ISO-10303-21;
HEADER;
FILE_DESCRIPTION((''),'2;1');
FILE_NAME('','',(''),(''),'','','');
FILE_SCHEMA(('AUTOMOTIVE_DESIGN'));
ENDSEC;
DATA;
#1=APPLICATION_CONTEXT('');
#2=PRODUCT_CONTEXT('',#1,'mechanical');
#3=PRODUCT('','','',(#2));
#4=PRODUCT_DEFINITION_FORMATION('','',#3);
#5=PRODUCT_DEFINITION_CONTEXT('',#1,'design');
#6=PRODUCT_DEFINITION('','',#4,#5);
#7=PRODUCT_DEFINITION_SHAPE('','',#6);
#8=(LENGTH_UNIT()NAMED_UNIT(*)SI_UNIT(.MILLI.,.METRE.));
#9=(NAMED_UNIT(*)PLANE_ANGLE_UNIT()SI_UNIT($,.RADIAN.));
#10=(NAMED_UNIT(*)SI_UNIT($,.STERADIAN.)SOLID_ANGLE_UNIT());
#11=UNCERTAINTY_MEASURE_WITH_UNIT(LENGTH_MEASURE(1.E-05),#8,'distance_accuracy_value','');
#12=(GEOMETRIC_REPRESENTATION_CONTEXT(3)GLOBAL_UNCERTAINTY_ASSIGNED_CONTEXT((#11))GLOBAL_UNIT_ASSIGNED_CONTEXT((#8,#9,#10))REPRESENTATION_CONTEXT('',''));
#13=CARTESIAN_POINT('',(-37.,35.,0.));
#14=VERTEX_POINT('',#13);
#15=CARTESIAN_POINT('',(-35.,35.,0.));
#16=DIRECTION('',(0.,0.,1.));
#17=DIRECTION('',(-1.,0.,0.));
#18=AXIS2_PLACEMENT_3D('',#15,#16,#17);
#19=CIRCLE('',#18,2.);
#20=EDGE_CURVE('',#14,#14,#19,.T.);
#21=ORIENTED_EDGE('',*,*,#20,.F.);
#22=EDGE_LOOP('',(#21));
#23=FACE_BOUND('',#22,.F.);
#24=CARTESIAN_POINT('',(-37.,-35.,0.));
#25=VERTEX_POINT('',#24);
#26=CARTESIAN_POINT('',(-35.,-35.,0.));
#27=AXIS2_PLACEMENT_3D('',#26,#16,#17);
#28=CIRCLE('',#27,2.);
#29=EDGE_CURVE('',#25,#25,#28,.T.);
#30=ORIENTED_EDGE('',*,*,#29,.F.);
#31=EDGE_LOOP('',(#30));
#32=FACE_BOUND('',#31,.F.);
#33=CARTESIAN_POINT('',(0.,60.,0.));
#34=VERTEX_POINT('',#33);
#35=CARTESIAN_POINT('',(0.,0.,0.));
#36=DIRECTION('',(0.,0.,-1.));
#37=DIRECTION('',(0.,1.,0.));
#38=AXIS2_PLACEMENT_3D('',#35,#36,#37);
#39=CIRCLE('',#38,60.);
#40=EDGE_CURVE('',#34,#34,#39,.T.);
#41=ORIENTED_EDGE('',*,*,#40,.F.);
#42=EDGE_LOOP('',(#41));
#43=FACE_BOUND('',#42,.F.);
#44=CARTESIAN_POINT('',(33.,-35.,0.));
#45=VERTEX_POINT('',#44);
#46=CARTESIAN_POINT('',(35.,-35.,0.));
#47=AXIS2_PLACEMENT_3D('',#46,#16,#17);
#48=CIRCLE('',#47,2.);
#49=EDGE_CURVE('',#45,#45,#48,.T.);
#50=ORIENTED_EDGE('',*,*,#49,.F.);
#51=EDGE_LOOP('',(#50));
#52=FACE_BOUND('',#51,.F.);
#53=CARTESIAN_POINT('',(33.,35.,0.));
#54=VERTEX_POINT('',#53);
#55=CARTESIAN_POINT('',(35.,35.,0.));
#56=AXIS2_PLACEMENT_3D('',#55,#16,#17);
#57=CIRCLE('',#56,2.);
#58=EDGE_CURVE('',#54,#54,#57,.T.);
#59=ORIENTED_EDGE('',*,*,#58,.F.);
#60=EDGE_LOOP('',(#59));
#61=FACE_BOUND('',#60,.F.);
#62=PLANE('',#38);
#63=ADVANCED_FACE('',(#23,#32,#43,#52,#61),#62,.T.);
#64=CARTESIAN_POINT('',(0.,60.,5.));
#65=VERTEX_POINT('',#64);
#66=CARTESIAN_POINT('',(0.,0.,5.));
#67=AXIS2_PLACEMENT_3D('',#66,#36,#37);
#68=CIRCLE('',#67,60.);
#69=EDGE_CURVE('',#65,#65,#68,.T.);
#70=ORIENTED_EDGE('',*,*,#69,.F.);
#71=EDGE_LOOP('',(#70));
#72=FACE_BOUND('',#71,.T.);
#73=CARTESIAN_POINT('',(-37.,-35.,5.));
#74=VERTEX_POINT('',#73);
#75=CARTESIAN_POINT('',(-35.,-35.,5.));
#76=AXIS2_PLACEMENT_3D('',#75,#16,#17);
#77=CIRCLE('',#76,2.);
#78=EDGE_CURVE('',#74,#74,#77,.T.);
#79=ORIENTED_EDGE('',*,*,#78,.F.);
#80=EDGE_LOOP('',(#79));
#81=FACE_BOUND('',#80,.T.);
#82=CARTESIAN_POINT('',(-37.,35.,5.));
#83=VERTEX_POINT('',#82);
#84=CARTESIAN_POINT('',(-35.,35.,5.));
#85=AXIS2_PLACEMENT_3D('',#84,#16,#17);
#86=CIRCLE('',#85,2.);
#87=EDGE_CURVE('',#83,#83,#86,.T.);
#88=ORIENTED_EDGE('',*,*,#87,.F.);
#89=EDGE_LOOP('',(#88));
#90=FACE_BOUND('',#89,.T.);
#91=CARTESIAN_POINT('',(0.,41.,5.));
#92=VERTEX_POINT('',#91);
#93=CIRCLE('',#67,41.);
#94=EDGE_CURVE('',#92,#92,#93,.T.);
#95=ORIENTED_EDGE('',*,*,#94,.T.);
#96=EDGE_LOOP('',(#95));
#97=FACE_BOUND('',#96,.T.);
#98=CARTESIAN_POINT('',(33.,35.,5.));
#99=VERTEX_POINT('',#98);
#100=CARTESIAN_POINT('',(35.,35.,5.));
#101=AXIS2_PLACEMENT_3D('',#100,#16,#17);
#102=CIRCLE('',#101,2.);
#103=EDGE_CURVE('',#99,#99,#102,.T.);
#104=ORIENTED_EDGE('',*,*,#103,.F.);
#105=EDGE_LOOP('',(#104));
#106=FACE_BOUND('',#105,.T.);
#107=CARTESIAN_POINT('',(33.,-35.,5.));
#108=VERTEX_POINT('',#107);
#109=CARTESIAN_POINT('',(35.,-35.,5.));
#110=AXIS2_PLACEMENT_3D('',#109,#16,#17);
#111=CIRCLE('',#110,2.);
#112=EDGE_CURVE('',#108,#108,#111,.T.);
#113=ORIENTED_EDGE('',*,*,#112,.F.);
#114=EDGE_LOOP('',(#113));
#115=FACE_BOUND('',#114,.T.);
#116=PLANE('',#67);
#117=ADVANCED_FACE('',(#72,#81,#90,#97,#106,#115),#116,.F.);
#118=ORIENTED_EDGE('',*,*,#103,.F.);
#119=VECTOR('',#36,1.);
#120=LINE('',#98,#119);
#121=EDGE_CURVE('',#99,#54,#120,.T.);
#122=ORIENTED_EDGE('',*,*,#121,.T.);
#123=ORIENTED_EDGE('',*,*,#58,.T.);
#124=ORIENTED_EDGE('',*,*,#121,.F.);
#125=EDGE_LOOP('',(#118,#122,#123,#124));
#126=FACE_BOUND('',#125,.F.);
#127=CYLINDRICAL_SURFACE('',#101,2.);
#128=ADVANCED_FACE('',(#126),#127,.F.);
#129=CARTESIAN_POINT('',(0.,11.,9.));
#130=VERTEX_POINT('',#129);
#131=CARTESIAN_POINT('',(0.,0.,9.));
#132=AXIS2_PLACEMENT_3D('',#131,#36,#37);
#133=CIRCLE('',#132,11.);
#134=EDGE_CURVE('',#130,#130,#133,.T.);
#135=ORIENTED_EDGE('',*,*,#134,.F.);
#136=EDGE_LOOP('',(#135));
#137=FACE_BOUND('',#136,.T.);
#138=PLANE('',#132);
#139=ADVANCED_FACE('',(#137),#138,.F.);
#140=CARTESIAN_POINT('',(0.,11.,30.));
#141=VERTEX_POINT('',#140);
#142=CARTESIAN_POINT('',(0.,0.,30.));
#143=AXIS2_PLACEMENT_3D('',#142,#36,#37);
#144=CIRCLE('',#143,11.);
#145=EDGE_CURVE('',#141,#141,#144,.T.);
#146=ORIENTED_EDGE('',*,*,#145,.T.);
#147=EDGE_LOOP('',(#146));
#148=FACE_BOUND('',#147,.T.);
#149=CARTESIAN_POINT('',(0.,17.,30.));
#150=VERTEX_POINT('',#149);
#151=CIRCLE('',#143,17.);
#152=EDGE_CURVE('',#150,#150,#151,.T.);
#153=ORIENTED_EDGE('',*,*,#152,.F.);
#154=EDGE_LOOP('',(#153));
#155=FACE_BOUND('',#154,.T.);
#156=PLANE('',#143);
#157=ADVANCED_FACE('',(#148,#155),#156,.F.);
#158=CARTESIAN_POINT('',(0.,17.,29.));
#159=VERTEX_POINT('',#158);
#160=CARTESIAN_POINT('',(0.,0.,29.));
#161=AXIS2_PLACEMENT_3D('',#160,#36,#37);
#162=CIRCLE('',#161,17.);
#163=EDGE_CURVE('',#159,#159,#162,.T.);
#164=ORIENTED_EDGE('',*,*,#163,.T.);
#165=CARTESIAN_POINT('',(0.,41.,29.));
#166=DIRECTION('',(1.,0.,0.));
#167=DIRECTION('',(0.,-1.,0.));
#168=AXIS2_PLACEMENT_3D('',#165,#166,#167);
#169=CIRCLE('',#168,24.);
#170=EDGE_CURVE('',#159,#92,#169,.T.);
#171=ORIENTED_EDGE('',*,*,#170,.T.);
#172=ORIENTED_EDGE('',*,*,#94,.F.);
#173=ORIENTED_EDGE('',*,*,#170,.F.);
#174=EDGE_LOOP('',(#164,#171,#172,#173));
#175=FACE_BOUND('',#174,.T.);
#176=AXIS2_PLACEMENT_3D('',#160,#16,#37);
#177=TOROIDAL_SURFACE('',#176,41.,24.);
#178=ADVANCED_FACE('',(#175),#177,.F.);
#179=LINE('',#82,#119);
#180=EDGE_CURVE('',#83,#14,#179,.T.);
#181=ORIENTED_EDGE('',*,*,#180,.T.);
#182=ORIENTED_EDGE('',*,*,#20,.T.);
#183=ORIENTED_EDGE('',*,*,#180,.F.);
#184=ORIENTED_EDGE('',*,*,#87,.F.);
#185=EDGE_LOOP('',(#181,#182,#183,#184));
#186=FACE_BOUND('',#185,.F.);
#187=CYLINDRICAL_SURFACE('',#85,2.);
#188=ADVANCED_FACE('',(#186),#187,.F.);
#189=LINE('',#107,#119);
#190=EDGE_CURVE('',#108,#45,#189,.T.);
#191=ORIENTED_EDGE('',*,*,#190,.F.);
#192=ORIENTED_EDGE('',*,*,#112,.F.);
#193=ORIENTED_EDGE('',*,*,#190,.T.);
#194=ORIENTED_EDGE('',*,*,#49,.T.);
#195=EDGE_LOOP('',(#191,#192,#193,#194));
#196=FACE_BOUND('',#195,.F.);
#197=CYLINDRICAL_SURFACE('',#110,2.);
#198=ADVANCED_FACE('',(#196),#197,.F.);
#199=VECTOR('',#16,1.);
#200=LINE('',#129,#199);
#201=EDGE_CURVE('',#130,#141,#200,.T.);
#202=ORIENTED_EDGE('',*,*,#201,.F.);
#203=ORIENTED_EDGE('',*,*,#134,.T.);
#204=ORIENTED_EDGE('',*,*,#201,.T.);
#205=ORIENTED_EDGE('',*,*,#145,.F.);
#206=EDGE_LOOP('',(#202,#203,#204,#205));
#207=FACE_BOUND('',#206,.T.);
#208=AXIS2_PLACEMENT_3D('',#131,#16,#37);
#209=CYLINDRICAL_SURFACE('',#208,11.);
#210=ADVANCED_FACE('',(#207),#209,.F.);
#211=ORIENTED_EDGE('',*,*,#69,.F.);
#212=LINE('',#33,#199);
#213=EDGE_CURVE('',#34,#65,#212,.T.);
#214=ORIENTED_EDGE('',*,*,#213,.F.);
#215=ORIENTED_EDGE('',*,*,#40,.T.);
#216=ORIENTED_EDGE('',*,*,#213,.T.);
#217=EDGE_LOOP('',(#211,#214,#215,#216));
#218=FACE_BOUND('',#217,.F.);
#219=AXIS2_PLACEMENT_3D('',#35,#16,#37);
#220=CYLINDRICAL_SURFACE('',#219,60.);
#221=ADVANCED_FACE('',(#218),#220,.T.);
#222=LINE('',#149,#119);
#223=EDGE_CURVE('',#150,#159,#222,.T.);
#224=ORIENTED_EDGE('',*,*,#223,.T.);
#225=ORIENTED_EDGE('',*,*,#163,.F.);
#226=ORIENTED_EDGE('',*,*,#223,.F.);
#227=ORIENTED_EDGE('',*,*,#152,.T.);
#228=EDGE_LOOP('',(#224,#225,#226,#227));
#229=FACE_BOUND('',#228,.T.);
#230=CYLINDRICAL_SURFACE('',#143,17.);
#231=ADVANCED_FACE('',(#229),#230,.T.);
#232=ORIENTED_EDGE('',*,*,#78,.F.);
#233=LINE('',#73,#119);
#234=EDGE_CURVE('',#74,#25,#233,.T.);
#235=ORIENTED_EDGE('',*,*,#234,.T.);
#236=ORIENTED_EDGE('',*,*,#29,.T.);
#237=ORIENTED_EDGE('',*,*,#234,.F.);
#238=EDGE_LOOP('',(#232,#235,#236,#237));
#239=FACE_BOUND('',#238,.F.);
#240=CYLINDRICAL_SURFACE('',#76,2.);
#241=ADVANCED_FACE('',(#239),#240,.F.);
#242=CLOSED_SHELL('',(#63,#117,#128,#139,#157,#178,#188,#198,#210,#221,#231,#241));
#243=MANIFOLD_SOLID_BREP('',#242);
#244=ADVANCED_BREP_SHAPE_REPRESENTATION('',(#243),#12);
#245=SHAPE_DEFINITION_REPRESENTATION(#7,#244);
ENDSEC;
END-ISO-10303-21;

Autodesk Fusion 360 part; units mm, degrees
sketch "Sketch1" plane through (0, 0, 0) normal (1, 0, 0) x (0, 1, 0)
  line L0 (0, 0) -> (11, 0) construction
  line L1 (0, 0) -> (60, 0)
  line L2 (60, 0) -> (60, 5)
  line L3 (60, 5) -> (41, 5) construction
  line L4 (0, 5) -> (0, 0) construction
  line L5 (0, 0) -> (0, 9)
  line L6 (11, 0) -> (11, 30) construction
  line L7 (0, 9) -> (11, 9)
  line L8 (11, 9) -> (11, 30)
  line L9 (11, 30) -> (17, 30)
  line L10 (17, 30) -> (17, 29)
  arc A0 (17, 29) -> (41, 5) centre (41, 29) ccw
  line L11 (41, 5) -> (60, 5)
  dimension "d1" = 11
  dimension "d2" = 60
  dimension "d3" = 5
  dimension "d4" = 9
  dimension "d5" = 30
  dimension "d6" = 6
  dimension "d7" = 24
revolve "Revolve1" add sketch "Sketch1" angle 360 about axis through (0, 0, 5) along (0, 0, -1)
sketch "Sketch2" plane through (0, 0, 5) normal (0, 0, 1) x (-1, 0, 0)
  circle A0 centre (0, 0) radius 41
  circle A1 centre (0, 0) radius 60
  line L0 (0, 0) -> (0, 35) construction
  line L1 (0, 0) -> (-35, 0) construction
  line L2 (-35, 0) -> (-35, 35) construction
  line L3 (-35, 35) -> (0, 35) construction
  circle A2 centre (-35, 35) radius 2
  circle A3 centre (-35, -35) radius 2
  circle A4 centre (35, -35) radius 2
  circle A5 centre (35, 35) radius 2
  dimension "d9" = 35
  dimension "d10" = 35
  dimension "d11" = 4
  dimension "d13" = 360
extrude "Extrude2" cut sketch "Sketch2" against normal blind 6 contours A2 | A3 | A4 | A5
